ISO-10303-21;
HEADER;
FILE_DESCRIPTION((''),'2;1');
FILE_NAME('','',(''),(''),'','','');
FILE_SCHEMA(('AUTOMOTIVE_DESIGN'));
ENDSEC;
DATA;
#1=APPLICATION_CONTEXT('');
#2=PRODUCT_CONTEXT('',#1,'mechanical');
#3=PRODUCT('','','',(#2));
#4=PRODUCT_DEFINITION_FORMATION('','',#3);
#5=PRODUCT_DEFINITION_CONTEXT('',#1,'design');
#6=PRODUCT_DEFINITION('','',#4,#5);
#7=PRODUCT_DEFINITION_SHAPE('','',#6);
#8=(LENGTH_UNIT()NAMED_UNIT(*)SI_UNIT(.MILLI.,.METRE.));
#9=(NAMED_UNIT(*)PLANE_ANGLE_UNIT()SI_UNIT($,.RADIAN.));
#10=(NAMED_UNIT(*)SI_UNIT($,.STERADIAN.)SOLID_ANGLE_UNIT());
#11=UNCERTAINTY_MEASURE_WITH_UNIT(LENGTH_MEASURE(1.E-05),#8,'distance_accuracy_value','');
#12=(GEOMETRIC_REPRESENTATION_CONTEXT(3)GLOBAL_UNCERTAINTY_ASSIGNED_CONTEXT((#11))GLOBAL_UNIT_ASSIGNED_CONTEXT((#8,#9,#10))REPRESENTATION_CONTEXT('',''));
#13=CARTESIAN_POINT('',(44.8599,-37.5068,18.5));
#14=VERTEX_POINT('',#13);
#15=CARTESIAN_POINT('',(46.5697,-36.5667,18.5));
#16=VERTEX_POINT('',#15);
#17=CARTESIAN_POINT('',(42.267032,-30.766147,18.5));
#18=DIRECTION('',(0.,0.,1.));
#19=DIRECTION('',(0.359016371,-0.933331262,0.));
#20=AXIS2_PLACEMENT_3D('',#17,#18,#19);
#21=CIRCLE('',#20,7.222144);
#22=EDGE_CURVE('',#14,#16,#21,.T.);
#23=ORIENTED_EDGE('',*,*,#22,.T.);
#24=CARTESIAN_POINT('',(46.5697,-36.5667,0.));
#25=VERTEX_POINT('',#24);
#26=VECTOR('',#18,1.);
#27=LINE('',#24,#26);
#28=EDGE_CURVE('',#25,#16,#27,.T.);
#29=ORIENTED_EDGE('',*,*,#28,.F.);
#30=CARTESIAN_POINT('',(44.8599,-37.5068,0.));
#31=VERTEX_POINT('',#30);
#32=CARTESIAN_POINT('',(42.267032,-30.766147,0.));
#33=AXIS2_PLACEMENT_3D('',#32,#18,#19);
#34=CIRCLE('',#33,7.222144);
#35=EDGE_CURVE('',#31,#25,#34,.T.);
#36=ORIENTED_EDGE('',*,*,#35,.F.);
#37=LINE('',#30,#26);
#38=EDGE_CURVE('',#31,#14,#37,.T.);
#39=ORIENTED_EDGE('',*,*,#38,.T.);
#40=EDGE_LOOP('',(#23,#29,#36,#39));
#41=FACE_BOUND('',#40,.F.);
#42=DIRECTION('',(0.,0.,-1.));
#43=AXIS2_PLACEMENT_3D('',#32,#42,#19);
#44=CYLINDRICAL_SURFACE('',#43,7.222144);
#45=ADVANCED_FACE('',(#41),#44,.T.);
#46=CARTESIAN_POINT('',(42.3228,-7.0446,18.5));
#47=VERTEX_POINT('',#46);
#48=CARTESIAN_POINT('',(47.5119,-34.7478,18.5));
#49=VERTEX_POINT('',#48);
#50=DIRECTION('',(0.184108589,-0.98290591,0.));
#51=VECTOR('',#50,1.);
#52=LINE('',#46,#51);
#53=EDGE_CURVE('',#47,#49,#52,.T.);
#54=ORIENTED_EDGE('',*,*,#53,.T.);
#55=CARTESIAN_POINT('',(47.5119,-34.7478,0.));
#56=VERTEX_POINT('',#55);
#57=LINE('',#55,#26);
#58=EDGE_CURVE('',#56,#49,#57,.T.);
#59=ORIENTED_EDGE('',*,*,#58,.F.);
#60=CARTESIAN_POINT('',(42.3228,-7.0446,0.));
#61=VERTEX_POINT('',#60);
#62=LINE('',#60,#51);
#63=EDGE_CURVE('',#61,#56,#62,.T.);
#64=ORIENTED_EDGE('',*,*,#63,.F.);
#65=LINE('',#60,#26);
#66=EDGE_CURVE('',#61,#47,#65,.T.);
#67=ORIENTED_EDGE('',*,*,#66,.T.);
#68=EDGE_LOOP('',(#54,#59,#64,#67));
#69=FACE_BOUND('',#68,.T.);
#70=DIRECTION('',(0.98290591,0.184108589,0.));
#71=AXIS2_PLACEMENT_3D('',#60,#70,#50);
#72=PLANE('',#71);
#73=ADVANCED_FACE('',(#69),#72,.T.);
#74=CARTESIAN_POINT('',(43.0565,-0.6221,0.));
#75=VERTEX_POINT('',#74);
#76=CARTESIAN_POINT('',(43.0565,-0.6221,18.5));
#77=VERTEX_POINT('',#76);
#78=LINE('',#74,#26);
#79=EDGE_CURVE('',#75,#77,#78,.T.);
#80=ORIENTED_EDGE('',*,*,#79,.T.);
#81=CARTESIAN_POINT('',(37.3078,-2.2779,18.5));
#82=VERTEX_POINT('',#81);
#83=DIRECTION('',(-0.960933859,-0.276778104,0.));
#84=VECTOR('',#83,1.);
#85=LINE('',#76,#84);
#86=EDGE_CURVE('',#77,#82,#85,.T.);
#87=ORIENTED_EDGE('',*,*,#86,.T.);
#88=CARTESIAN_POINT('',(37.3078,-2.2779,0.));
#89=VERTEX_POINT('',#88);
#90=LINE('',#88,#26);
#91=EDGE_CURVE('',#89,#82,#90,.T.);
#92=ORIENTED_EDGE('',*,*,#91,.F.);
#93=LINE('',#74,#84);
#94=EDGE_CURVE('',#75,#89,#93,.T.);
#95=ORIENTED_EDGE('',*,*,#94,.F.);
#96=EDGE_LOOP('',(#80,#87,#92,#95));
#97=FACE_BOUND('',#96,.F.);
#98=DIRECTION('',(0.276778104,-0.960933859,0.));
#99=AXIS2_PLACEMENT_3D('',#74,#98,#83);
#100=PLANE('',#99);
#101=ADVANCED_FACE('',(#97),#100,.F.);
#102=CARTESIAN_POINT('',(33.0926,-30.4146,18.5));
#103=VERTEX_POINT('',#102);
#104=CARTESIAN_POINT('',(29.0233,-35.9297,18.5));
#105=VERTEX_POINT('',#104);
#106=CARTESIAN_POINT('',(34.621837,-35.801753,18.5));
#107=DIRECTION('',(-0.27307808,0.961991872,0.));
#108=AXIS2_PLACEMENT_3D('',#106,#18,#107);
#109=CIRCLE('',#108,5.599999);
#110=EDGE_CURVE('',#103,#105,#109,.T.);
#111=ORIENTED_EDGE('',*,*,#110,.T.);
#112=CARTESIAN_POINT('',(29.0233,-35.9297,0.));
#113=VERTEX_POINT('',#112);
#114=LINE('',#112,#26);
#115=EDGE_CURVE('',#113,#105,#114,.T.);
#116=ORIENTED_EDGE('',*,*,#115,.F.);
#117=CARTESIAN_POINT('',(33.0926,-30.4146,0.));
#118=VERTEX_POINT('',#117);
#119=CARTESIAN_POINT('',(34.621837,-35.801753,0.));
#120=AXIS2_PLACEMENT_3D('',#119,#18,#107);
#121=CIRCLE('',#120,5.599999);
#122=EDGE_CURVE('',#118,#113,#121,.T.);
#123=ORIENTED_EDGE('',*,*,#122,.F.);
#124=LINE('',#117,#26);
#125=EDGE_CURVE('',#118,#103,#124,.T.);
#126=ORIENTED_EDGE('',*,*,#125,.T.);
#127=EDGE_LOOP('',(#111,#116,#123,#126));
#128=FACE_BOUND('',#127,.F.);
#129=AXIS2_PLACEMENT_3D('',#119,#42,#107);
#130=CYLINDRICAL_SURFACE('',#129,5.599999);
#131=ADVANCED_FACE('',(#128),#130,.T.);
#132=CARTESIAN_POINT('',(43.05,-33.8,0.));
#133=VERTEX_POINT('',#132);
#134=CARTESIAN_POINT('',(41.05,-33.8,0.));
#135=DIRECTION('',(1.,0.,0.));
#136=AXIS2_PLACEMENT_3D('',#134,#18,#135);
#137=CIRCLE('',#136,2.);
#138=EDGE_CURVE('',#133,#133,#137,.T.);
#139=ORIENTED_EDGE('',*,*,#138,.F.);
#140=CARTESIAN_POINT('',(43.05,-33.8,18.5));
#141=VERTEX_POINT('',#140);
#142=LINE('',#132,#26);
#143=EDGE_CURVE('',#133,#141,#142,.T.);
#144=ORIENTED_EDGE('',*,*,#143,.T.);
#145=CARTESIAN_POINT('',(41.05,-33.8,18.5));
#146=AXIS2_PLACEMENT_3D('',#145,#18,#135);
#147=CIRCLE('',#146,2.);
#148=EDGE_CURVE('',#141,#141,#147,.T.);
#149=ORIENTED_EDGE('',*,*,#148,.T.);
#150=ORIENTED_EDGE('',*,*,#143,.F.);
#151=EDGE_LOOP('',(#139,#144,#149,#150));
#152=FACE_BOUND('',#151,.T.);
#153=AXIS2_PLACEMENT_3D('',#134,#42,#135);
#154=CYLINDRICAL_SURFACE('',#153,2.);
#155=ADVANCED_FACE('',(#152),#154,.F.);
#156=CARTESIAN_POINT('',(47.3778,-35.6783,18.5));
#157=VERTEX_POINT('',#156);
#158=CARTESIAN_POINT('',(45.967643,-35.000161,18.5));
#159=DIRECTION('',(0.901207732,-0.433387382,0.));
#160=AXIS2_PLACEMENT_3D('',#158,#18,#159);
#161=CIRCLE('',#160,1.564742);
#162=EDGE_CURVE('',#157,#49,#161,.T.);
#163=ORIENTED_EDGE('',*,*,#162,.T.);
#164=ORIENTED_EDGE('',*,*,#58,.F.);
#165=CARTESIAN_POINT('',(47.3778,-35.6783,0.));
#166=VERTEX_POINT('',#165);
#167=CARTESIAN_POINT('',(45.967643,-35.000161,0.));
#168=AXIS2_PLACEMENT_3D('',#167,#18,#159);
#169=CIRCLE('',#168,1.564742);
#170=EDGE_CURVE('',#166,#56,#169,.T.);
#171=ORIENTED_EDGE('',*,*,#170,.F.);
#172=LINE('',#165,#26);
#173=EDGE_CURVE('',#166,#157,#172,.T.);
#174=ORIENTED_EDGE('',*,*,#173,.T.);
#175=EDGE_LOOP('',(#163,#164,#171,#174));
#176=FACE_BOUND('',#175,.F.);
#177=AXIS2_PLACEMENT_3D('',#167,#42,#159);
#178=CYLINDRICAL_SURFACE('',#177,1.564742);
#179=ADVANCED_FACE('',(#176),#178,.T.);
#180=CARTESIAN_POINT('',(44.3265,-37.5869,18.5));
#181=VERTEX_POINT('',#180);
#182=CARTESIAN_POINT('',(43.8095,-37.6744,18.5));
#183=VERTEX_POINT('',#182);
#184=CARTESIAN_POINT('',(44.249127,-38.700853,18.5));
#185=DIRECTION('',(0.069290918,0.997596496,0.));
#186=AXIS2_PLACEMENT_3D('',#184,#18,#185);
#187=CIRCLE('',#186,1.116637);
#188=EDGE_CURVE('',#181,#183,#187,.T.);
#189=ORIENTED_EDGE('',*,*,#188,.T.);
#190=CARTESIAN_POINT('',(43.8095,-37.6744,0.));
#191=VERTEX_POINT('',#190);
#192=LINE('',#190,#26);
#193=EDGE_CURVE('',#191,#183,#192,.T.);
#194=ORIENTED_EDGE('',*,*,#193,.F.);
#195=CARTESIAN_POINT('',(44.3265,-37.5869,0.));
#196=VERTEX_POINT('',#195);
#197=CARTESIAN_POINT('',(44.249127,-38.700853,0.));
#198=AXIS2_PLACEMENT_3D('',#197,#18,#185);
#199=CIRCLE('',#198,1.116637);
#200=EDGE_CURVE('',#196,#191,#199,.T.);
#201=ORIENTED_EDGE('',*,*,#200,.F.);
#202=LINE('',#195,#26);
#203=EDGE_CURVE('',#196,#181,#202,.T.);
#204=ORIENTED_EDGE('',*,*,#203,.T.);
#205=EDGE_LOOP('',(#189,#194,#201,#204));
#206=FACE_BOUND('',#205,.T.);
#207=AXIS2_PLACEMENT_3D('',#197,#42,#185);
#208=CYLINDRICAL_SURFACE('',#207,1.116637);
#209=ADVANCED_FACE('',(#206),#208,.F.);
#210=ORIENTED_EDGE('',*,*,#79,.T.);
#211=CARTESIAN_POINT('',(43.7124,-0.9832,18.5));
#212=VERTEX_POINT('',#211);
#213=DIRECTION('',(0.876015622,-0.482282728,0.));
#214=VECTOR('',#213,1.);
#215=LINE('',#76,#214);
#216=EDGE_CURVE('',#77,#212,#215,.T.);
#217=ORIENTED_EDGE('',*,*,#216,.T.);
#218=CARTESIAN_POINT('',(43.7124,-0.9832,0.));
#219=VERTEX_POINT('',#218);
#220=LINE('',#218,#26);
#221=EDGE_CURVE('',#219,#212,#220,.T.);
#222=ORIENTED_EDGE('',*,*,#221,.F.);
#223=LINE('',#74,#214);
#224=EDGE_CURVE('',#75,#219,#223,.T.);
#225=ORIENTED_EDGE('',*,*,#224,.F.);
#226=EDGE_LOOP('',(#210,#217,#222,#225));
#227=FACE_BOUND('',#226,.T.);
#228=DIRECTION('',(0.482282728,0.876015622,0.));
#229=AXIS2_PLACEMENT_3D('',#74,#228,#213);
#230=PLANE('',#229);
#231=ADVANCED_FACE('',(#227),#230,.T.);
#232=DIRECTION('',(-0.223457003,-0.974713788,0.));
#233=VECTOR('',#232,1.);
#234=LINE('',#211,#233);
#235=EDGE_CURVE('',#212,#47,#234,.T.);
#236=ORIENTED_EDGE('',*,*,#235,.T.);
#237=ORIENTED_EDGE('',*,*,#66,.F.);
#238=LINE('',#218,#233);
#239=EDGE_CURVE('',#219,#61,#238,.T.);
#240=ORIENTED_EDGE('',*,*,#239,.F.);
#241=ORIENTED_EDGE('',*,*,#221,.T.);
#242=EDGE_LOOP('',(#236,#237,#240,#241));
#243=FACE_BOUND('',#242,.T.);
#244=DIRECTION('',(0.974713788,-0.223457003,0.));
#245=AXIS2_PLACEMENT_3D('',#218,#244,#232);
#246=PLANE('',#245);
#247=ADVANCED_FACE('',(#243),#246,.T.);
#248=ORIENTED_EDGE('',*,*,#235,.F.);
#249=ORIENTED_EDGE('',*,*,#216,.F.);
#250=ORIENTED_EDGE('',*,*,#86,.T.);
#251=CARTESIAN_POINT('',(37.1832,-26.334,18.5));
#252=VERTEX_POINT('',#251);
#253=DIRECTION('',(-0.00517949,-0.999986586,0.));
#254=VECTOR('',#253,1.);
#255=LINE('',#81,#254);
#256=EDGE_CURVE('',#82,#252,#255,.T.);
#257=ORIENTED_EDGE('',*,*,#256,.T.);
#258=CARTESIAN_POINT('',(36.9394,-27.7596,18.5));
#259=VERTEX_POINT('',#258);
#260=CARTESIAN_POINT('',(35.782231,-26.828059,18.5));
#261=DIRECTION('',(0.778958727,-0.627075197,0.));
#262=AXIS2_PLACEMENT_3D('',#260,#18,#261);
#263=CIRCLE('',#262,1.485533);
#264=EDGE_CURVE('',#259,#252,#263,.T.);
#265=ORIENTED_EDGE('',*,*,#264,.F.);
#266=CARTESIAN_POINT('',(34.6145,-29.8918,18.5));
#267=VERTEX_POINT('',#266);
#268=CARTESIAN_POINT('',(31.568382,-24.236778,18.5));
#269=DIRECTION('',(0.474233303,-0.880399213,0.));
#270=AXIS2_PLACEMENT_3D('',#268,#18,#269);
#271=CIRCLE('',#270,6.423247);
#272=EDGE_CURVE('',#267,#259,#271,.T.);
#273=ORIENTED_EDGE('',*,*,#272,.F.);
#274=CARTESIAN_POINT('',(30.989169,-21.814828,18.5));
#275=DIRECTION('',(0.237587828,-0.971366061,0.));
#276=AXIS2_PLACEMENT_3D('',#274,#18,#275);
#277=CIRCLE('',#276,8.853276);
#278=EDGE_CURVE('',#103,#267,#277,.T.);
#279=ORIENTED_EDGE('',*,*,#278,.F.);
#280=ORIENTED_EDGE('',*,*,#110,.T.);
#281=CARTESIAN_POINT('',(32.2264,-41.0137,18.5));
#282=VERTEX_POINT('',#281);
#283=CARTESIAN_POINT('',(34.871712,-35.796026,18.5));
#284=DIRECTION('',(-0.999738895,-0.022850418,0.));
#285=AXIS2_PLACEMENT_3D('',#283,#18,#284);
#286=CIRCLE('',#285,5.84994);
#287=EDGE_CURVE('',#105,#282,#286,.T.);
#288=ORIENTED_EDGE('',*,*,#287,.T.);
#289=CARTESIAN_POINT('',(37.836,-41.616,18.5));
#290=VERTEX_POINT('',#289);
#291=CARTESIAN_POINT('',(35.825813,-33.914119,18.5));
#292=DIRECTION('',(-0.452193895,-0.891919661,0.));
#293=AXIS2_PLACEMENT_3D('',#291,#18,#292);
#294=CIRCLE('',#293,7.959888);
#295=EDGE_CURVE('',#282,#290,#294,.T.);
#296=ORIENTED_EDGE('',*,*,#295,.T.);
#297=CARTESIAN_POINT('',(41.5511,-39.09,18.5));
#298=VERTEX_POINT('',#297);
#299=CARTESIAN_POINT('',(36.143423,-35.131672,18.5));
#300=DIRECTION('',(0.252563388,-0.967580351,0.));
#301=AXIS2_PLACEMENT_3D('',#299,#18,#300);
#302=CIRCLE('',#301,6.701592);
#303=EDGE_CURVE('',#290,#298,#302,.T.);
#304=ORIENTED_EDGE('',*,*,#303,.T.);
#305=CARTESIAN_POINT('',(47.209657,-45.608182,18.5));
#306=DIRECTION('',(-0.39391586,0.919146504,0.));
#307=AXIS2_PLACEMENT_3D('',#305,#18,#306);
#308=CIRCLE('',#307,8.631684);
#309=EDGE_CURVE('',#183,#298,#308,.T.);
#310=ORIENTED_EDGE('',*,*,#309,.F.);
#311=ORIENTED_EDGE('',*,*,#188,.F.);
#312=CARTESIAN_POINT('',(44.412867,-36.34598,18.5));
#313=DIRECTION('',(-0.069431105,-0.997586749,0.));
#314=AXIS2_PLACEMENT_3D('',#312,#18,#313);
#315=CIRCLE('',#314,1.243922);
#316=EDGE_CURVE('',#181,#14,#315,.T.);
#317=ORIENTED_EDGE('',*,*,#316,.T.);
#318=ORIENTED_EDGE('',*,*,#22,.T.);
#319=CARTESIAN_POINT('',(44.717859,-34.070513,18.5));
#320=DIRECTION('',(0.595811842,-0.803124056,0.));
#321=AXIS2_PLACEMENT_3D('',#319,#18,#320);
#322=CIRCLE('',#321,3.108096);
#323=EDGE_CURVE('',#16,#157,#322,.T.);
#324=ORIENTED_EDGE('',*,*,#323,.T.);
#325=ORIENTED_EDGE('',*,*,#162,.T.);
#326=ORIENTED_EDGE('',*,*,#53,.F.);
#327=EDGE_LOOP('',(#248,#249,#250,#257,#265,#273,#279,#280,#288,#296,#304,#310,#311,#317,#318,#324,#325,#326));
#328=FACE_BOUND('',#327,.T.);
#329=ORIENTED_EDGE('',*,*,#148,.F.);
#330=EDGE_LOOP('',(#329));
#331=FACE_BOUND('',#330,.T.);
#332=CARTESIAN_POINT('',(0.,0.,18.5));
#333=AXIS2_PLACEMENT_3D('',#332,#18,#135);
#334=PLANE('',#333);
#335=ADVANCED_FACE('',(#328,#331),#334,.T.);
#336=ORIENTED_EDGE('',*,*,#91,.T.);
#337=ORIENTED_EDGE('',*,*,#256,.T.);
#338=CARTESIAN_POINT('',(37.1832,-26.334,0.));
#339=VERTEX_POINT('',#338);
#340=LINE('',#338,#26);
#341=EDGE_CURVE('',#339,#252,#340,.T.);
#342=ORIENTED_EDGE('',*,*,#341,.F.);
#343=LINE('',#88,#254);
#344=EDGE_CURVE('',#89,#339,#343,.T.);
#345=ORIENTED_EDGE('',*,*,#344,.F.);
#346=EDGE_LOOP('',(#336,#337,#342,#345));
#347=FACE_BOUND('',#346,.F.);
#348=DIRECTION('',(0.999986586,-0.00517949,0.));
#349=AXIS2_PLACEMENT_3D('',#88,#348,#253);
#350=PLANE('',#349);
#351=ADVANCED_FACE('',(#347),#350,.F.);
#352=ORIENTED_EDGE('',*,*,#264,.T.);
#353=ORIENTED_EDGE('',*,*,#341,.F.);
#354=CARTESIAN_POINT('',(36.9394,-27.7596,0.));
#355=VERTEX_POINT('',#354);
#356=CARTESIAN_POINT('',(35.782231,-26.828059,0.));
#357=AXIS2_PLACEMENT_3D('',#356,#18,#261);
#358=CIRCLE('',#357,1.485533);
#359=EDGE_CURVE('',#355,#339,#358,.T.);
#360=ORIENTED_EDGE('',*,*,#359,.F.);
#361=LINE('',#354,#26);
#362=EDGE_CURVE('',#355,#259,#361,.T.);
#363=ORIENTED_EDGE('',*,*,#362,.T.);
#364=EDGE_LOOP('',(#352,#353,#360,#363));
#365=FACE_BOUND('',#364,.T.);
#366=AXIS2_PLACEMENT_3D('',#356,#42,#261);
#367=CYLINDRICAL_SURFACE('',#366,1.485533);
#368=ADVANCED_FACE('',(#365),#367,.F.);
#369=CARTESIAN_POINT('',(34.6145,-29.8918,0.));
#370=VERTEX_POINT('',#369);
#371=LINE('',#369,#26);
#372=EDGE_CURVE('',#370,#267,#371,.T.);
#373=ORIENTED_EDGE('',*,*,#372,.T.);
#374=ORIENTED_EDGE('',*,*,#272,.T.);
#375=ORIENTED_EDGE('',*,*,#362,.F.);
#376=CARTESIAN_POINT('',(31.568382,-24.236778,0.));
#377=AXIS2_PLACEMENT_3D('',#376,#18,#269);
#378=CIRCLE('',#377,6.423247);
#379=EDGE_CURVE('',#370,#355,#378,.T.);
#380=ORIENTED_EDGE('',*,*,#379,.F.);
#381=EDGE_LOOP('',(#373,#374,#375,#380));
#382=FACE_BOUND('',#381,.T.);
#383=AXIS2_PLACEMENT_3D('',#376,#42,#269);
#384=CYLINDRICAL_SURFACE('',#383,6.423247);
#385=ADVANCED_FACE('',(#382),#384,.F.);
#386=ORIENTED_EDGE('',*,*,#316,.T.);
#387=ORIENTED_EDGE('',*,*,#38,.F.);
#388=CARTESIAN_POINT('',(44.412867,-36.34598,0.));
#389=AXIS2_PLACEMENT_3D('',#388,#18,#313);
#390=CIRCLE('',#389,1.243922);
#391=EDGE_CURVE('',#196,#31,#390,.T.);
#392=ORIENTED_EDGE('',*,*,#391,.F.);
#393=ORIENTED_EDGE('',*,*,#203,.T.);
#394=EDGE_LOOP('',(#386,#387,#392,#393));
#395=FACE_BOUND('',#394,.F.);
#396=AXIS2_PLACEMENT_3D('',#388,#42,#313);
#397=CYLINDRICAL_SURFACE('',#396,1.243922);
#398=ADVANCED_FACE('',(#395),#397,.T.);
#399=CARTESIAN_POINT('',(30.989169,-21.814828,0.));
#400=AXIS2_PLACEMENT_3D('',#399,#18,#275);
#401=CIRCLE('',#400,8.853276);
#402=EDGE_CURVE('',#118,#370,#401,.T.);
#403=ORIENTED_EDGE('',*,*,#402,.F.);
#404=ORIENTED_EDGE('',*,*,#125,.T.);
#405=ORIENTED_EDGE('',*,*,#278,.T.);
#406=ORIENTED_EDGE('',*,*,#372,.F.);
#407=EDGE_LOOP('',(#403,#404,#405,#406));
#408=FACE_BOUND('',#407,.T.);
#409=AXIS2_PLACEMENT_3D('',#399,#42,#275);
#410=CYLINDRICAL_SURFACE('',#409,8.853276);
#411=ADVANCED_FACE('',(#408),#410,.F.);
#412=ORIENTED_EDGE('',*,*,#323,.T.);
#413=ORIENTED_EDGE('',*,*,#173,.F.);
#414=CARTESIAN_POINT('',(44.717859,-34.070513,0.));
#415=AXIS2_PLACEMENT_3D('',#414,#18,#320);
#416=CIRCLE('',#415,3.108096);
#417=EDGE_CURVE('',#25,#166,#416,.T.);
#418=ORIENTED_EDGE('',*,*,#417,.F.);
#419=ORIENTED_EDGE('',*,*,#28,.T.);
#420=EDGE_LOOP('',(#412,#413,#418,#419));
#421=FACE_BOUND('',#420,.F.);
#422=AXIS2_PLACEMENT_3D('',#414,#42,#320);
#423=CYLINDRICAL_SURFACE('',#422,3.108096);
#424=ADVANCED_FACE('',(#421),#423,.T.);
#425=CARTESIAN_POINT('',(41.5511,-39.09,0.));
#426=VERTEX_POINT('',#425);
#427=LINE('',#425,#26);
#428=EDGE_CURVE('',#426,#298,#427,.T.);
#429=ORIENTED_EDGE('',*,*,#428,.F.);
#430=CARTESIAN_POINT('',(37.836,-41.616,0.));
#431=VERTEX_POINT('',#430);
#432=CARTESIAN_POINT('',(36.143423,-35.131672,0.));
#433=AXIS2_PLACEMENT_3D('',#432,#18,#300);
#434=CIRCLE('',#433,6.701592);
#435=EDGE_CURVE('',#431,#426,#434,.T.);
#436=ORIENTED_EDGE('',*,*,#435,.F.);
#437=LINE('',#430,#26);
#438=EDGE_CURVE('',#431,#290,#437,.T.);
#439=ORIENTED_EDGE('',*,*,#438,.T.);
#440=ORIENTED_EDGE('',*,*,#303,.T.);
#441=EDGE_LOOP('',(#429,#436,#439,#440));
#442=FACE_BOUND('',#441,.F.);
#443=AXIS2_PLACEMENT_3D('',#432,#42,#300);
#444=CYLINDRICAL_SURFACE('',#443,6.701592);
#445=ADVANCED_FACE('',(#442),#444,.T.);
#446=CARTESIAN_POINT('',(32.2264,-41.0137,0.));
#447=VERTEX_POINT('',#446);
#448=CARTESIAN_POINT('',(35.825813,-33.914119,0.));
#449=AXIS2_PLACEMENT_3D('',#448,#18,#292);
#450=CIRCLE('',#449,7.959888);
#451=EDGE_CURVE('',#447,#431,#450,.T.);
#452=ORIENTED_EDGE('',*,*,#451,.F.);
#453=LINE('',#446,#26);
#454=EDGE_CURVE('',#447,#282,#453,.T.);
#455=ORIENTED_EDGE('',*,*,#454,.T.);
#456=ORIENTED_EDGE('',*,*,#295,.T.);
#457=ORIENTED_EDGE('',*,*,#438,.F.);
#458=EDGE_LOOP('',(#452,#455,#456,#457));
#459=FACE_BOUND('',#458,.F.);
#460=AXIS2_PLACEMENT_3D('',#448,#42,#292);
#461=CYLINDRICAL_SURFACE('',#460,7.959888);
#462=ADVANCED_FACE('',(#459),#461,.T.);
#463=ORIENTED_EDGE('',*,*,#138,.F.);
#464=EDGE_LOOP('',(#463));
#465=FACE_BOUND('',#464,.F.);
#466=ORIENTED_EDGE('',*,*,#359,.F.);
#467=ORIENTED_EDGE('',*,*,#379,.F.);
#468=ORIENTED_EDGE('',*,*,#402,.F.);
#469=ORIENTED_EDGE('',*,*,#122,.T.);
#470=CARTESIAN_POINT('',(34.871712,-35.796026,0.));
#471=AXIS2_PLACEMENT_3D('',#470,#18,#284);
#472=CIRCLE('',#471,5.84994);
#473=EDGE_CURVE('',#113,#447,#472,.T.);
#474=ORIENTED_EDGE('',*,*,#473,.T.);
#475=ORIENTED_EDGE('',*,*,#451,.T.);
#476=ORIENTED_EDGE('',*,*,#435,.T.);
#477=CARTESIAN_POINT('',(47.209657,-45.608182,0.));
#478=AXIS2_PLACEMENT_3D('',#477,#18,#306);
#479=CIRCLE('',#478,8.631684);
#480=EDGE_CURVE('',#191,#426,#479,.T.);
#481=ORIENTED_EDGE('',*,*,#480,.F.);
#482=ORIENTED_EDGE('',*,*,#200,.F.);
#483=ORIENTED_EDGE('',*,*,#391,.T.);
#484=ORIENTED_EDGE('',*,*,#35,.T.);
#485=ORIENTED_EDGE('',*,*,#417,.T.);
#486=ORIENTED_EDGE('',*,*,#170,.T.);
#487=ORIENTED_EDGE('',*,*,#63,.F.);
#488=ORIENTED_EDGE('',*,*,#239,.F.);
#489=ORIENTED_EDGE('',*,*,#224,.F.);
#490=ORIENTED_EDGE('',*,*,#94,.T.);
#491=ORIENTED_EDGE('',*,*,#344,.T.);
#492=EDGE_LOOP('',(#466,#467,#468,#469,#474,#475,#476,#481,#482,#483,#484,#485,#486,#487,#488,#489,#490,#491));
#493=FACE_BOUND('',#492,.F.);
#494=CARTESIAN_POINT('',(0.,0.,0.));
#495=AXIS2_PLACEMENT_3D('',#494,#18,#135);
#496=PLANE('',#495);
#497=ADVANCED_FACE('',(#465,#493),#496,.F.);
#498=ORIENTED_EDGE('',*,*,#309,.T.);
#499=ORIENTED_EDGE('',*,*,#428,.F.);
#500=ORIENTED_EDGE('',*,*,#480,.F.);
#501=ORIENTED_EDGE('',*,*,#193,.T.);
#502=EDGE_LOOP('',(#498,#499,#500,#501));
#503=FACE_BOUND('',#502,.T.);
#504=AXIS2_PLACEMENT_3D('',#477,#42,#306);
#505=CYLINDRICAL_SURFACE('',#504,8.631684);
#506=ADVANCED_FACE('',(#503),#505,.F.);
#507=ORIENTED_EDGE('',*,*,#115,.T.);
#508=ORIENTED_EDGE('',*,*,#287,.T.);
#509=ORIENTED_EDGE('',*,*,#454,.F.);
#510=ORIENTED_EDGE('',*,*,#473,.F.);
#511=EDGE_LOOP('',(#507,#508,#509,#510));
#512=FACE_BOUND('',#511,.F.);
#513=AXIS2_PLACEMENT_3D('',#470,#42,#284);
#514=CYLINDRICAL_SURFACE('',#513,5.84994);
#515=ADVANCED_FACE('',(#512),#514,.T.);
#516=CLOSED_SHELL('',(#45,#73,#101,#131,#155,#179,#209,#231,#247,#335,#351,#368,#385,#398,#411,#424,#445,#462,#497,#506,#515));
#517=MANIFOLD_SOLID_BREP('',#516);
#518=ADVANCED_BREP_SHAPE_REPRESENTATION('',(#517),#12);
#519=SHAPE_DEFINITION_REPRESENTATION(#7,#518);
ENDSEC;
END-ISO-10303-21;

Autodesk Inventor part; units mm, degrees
ref_plane "YZ Plane" through (0, 0, 0) normal (1, 0, 0) x (0, 1, 0)
ref_plane "XZ Plane" through (0, 0, 0) normal (0, 1, 0) x (-1, 0, 0)
ref_plane "XY Plane" through (0, 0, 0) normal (0, 0, 1) x (1, 0, 0)
sketch "Sketch1" plane through (0, 0, 0) normal (0, 0, 1) x (1, 0, 0)
  line L0 (0, 0) -> (86.2249, 0) construction
  line L1 (86.2249, 0) -> (86.2249, -43.5625) construction
  line L2 (86.2249, -43.5625) -> (0, -43.5625) construction
  line L3 (0, -43.5625) -> (0, 0) construction
  circle A0 centre (41.05, -33.8) radius 2
  line L4 (43.0565, -0.6221) -> (43.7124, -0.9832)
  line L5 (43.7124, -0.9832) -> (42.3228, -7.0446)
  line L6 (42.3228, -7.0446) -> (47.5119, -34.7478)
  line L7 (43.0565, -0.6221) -> (37.3078, -2.2779)
  line L8 (37.3078, -2.2779) -> (37.1832, -26.334)
  arc A1 (33.0926, -30.4146) -> (29.0233, -35.9297) centre (34.6218, -35.8017) ccw
  arc A2 (29.0233, -35.9297) -> (32.2264, -41.0137) centre (34.8718, -35.796) ccw
  arc A3 (32.2264, -41.0137) -> (37.836, -41.616) centre (35.8257, -33.9145) ccw
  arc A4 (37.836, -41.616) -> (41.5511, -39.09) centre (36.1433, -35.1314) ccw
  arc A5 (47.3778, -35.6783) -> (47.5119, -34.7478) centre (45.9681, -35.0003) ccw
  arc A6 (33.0926, -30.4146) -> (34.6145, -29.8918) centre (30.9901, -21.818) ccw
  arc A7 (36.9394, -27.7596) -> (37.1832, -26.334) centre (35.7821, -26.828) ccw
  arc A8 (34.6145, -29.8918) -> (36.9394, -27.7596) centre (31.5679, -24.2361) ccw
  arc A9 (43.8095, -37.6744) -> (41.5511, -39.09) centre (47.2093, -45.6075) ccw
  arc A10 (46.5697, -36.5667) -> (47.3778, -35.6783) centre (44.7183, -34.071) ccw
  arc A11 (44.8599, -37.5068) -> (46.5697, -36.5667) centre (42.2678, -30.7678) ccw
  arc A12 (44.3265, -37.5869) -> (44.8599, -37.5068) centre (44.4128, -36.3443) ccw
  arc A13 (44.3265, -37.5869) -> (43.8095, -37.6744) centre (44.2491, -38.7003) ccw
  dimension "d2" = 4
  dimension "d30" = 41.05
  dimension "d31" = 33.8
  dimension "d35" = 86.225
extrude "Extrusion1" add sketch "Sketch1" along normal blind 18.5
properties part number "FelixOriginalHandle"
